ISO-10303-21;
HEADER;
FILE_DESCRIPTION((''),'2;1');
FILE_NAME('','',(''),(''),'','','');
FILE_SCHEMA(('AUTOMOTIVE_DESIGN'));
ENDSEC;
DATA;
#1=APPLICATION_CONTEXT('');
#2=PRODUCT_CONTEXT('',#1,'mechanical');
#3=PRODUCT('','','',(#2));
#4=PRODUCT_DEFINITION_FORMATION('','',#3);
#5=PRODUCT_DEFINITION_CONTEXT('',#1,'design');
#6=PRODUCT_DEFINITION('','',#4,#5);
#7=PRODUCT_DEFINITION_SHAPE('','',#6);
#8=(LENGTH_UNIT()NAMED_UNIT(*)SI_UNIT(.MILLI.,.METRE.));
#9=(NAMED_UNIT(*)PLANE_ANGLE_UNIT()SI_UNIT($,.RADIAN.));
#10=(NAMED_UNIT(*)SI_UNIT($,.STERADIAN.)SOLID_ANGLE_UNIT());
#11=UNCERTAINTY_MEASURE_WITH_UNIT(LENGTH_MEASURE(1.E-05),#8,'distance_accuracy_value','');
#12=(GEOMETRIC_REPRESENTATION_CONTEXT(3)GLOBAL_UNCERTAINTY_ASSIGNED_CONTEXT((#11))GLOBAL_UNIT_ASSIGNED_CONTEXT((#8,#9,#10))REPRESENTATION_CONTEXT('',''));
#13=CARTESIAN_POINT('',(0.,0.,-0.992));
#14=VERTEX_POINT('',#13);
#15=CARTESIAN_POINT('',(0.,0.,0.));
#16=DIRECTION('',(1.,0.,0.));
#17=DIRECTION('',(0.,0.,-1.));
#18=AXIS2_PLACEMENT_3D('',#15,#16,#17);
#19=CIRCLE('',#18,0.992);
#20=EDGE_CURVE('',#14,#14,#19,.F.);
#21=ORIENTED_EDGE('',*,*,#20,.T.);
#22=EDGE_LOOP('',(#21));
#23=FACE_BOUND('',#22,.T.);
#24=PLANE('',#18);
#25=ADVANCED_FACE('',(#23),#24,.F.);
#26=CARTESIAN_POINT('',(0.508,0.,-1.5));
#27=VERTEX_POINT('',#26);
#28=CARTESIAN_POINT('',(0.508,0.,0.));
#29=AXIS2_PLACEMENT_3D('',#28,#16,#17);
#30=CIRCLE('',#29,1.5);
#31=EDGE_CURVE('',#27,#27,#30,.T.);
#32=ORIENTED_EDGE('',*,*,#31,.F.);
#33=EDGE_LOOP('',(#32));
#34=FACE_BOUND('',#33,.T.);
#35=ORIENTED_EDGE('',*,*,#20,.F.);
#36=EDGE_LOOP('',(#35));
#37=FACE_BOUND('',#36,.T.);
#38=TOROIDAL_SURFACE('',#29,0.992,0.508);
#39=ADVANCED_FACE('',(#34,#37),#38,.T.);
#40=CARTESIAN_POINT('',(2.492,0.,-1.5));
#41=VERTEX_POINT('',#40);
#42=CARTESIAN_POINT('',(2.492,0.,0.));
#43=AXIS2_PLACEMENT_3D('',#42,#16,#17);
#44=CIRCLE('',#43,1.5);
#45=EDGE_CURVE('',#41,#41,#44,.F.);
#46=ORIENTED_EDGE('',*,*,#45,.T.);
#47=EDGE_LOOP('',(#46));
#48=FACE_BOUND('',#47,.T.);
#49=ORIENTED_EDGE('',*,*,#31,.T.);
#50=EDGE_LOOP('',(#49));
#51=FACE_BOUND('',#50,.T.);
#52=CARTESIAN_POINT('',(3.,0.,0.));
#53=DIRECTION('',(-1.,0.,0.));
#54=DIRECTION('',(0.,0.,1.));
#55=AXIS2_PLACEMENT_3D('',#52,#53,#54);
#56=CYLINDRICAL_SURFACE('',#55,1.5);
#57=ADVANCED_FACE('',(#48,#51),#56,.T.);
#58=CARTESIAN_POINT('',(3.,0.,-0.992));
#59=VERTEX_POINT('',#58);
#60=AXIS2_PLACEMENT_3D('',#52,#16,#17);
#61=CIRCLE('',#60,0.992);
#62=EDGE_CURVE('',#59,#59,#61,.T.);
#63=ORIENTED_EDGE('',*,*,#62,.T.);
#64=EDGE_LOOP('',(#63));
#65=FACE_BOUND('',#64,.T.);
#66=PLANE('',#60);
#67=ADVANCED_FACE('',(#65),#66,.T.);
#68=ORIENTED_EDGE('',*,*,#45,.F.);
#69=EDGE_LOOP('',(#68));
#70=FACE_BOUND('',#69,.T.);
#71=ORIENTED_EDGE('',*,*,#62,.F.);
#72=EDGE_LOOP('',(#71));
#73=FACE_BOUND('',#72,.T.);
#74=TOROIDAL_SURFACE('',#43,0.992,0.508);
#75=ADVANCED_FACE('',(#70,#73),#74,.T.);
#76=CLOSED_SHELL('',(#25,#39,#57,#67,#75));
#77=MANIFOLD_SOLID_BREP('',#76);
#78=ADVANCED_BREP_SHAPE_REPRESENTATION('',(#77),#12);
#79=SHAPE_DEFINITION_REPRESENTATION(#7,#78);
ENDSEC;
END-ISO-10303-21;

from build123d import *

# Parameters (mm, degrees)
SKETCH1_R      = 1.5
EXTRUDE1_DEPTH = 3
FILLET1_R      = 0.508


with BuildPart() as part:
    # Sketch1 → Extrude1 (new body)
    with BuildSketch(Plane(origin=(0, 0, 0), x_dir=(0, 0, -1), z_dir=(1, 0, 0))):
        Circle(SKETCH1_R)
    extrude(amount=EXTRUDE1_DEPTH)

    # Fillet1
    fillet1_edges = [part.edges().sort_by_distance(p)[0] for p in [
        (0, 0, 1.5),
        (3, 0, 1.5),
    ]]
    fillet(fillet1_edges, radius=FILLET1_R)


solid = part.part
